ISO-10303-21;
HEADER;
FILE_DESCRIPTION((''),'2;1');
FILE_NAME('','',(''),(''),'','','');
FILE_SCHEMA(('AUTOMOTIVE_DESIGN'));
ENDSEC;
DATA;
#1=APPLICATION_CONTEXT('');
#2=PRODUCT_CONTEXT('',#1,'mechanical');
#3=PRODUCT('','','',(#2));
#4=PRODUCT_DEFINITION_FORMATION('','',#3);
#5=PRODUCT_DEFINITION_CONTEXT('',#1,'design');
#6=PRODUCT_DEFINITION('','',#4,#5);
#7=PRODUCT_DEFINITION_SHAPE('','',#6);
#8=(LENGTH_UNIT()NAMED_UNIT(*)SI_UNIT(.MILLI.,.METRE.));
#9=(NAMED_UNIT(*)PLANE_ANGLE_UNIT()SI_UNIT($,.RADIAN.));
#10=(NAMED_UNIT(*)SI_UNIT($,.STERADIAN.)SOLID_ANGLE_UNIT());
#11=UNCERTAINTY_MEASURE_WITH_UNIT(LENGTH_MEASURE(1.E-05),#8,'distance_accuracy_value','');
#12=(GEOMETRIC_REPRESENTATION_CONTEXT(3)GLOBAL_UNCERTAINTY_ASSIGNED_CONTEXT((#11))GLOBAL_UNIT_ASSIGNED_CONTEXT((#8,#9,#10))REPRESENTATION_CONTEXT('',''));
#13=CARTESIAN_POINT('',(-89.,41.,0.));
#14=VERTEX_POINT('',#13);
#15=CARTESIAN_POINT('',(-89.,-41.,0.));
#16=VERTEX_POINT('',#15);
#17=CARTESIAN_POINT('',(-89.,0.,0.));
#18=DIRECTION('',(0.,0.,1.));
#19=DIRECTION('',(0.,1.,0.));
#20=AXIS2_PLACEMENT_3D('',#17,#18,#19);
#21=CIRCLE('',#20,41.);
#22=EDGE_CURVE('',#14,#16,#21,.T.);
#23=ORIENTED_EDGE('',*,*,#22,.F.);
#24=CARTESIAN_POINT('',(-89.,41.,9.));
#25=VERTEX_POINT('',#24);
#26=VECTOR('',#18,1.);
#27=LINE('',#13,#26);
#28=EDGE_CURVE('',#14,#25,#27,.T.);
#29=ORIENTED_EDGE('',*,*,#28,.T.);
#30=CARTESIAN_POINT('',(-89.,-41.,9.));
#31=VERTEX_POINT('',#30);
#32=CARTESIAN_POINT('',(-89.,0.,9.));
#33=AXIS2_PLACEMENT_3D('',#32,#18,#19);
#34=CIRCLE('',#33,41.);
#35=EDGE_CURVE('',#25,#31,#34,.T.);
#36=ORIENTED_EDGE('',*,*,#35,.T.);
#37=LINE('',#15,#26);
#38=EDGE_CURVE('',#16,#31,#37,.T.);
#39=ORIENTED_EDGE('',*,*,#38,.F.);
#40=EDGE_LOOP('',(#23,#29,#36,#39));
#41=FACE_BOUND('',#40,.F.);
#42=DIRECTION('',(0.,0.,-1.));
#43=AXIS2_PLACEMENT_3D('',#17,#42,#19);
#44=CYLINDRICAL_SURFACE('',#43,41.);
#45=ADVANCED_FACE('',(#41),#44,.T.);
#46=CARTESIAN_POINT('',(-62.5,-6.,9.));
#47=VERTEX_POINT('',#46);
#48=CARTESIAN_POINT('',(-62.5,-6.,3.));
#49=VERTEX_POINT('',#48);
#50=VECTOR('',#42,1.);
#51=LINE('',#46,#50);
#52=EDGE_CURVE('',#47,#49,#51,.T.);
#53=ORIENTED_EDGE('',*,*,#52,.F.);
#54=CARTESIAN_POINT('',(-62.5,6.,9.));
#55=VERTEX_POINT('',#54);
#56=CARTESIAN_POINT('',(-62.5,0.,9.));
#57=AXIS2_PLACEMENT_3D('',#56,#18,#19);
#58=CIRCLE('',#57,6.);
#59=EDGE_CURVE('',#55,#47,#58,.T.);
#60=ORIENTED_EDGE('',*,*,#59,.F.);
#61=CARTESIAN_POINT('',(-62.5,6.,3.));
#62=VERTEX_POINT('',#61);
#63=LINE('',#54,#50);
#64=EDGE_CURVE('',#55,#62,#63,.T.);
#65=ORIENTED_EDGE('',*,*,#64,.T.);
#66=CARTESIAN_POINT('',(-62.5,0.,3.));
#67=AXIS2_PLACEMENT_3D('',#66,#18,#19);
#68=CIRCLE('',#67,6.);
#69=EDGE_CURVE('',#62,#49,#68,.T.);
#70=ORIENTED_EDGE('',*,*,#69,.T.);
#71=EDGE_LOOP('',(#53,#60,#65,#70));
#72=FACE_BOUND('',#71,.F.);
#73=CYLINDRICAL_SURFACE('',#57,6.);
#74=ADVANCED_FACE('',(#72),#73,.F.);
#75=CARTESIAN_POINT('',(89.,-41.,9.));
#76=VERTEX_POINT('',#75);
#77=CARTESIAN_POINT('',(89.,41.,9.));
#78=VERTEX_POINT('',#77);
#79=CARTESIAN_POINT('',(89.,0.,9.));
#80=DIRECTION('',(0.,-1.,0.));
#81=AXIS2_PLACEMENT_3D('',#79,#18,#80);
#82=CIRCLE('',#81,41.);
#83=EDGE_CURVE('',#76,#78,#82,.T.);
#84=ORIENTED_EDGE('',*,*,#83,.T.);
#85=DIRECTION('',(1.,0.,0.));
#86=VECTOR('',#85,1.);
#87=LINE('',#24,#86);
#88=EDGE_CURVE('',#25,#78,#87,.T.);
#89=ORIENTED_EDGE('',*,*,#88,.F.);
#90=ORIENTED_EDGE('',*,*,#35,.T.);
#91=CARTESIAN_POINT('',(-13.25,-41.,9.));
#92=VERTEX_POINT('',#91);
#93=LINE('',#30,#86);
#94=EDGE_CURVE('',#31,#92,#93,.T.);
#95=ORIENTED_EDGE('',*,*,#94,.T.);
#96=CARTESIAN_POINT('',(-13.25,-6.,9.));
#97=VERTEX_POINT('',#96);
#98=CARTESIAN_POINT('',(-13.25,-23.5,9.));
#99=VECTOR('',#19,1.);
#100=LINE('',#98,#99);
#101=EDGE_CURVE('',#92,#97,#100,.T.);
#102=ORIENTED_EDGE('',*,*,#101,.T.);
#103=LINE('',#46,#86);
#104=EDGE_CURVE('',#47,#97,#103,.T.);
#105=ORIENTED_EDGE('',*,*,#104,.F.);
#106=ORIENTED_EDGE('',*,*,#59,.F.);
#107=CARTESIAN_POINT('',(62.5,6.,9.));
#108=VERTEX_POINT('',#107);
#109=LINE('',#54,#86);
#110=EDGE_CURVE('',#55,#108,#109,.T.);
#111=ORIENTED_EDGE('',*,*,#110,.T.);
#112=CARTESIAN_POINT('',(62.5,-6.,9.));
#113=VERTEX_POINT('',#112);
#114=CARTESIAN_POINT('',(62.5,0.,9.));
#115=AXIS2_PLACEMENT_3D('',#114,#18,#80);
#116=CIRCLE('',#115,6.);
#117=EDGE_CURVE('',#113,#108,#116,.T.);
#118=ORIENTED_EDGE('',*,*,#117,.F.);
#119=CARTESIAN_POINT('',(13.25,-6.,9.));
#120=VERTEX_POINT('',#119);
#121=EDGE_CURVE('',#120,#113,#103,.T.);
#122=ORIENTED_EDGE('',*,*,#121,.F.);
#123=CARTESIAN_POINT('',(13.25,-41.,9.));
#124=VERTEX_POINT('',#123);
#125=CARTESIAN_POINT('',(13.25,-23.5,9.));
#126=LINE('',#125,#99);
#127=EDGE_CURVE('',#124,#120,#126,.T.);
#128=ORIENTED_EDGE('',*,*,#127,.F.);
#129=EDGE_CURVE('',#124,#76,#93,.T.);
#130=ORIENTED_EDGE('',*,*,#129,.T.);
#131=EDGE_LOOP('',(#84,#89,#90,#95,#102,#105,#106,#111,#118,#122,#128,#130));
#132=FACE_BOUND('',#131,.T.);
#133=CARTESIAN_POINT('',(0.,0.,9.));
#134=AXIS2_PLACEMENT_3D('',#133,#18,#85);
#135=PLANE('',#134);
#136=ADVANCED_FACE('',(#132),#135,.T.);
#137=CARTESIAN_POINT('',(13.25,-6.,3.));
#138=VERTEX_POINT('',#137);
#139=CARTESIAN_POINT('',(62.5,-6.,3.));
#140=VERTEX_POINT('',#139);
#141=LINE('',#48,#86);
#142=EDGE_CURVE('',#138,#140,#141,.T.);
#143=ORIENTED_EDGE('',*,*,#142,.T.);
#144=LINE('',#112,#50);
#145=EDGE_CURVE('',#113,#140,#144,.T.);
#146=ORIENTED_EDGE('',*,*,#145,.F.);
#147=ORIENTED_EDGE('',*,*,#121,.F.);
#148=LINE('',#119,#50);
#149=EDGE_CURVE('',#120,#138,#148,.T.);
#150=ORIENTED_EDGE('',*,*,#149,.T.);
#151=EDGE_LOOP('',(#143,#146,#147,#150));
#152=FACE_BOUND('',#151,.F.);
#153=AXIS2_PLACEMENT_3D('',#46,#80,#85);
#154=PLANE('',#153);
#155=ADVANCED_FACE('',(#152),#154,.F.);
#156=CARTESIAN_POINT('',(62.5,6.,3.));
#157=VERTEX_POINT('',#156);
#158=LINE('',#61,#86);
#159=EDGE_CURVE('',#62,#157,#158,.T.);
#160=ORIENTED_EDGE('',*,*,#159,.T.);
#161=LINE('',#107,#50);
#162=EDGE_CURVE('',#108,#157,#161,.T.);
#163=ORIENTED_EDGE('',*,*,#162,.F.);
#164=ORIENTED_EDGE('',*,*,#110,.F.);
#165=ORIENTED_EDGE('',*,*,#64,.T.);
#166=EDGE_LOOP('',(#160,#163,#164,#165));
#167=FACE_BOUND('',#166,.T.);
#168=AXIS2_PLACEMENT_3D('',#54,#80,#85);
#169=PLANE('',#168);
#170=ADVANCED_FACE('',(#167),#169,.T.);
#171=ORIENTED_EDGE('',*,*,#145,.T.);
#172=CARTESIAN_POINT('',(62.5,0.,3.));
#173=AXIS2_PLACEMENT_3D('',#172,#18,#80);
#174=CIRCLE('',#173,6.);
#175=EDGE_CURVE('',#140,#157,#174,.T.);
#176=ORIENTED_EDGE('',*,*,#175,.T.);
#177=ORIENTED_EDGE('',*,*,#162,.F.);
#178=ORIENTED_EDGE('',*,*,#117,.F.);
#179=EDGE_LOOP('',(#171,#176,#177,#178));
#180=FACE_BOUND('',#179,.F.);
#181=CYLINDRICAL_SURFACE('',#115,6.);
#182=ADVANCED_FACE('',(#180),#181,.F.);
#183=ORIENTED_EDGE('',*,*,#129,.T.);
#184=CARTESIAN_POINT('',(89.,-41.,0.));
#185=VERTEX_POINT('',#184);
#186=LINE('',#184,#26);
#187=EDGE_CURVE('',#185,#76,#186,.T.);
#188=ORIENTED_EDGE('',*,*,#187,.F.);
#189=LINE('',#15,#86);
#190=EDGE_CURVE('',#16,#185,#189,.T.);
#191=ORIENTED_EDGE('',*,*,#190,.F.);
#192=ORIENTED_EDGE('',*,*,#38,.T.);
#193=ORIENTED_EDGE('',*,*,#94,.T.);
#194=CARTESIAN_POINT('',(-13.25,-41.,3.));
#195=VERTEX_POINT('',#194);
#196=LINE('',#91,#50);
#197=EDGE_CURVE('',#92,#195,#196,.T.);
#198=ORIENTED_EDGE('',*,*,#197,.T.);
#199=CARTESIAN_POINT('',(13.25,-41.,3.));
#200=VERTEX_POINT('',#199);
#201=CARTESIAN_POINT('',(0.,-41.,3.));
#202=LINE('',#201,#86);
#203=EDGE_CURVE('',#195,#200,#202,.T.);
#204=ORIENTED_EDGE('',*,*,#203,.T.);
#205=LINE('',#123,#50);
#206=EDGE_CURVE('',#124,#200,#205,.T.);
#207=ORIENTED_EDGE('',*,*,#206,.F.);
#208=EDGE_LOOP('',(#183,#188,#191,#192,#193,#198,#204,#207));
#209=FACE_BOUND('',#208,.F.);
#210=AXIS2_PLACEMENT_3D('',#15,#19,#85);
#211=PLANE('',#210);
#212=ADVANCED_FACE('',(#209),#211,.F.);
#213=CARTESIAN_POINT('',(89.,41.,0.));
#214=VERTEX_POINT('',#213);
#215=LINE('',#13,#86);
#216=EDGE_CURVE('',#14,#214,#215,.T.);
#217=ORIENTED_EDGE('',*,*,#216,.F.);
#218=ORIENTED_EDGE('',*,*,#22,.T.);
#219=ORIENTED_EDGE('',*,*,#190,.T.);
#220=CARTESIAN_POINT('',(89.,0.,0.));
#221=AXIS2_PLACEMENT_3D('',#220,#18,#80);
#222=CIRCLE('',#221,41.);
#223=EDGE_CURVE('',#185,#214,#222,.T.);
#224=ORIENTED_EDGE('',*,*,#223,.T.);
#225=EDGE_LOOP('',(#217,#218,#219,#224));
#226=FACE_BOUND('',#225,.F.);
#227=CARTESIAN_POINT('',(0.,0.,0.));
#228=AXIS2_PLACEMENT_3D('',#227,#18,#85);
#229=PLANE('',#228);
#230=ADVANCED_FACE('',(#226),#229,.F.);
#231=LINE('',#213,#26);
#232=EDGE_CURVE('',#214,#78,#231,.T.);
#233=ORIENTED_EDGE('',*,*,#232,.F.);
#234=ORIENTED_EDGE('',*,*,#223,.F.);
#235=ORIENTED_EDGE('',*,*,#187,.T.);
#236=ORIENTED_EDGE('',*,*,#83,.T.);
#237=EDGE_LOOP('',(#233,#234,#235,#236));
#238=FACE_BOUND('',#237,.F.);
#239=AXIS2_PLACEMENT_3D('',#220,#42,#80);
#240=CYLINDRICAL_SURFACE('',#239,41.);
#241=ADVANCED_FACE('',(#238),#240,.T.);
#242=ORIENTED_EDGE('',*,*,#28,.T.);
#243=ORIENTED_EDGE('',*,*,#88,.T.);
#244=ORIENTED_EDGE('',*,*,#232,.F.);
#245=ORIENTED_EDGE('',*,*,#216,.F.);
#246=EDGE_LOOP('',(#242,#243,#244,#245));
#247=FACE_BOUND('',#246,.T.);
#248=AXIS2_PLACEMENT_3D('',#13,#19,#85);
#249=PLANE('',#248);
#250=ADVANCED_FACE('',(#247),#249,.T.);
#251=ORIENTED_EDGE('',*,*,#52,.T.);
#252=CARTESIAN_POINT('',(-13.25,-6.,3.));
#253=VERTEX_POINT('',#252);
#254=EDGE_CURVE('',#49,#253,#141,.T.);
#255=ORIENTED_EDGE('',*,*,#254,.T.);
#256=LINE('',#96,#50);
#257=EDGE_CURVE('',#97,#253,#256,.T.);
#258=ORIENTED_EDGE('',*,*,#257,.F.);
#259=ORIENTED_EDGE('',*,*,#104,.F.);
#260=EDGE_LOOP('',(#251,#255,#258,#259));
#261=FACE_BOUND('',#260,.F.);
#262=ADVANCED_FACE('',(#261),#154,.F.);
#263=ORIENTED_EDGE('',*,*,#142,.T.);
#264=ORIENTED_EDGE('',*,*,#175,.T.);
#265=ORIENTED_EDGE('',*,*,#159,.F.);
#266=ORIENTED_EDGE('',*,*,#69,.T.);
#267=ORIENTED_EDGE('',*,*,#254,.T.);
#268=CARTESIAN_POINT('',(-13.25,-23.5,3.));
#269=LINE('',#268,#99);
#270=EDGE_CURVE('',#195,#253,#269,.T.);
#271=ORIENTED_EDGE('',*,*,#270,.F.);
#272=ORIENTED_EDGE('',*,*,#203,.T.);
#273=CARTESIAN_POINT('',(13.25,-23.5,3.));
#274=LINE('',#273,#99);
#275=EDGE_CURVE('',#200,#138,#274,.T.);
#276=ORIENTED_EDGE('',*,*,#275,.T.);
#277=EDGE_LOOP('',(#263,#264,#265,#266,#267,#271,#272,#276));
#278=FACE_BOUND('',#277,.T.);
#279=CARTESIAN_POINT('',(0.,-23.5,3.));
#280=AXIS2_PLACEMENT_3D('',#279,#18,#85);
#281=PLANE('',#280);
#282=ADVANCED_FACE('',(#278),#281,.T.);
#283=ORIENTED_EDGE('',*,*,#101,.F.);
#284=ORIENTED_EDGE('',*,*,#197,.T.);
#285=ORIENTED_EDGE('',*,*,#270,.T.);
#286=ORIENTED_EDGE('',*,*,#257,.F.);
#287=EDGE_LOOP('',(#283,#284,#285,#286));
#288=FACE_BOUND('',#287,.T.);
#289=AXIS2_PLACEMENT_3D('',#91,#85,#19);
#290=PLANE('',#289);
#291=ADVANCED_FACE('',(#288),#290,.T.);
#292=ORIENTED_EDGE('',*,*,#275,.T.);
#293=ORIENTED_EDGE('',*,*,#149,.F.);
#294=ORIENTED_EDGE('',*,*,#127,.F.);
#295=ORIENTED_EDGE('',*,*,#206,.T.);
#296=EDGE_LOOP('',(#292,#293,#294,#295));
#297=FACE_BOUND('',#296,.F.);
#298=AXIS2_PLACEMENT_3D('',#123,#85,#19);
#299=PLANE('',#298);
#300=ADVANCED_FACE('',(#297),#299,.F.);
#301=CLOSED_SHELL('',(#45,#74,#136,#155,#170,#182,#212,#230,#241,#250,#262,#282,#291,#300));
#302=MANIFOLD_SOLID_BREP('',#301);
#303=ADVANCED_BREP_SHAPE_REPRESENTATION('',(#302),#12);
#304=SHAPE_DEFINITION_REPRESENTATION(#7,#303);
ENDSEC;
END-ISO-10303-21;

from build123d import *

# Parameters (mm, degrees)
PAD_DEPTH       = 9
POCKET_DEPTH    = 6
SKETCH002_W     = 26.5
SKETCH002_H     = 35
POCKET001_DEPTH = 6


with BuildPart() as part:
    # Sketch → Pad (new body)
    with BuildSketch(Plane.XY):
        with BuildLine():
            ThreePointArc((-89, 41), (-130, 0), (-89, -41))
            Line((-89, -41), (89, -41))
            ThreePointArc((89, -41), (130, 0), (89, 41))
            Line((-89, 41), (89, 41))
        make_face()
    extrude(amount=PAD_DEPTH)

    # Sketch001 (on Face6 of Pad) → Pocket (cut)
    with BuildSketch(Plane.XY.offset(9)):
        with BuildLine():
            ThreePointArc((-62.5, 6), (-68.5, 0), (-62.5, -6))
            Line((-62.5, -6), (62.5, -6))
            ThreePointArc((62.5, -6), (68.5, 0), (62.5, 6))
            Line((-62.5, 6), (62.5, 6))
        make_face()
    extrude(amount=-POCKET_DEPTH, mode=Mode.SUBTRACT)

    # Sketch002 (on Face5 of Pocket) → Pocket001 (cut)
    with BuildSketch(Plane.XY.offset(9)):
        with Locations((0, -23.5)):
            Rectangle(SKETCH002_W, SKETCH002_H)
    extrude(amount=-POCKET001_DEPTH, mode=Mode.SUBTRACT)


solid = part.part
